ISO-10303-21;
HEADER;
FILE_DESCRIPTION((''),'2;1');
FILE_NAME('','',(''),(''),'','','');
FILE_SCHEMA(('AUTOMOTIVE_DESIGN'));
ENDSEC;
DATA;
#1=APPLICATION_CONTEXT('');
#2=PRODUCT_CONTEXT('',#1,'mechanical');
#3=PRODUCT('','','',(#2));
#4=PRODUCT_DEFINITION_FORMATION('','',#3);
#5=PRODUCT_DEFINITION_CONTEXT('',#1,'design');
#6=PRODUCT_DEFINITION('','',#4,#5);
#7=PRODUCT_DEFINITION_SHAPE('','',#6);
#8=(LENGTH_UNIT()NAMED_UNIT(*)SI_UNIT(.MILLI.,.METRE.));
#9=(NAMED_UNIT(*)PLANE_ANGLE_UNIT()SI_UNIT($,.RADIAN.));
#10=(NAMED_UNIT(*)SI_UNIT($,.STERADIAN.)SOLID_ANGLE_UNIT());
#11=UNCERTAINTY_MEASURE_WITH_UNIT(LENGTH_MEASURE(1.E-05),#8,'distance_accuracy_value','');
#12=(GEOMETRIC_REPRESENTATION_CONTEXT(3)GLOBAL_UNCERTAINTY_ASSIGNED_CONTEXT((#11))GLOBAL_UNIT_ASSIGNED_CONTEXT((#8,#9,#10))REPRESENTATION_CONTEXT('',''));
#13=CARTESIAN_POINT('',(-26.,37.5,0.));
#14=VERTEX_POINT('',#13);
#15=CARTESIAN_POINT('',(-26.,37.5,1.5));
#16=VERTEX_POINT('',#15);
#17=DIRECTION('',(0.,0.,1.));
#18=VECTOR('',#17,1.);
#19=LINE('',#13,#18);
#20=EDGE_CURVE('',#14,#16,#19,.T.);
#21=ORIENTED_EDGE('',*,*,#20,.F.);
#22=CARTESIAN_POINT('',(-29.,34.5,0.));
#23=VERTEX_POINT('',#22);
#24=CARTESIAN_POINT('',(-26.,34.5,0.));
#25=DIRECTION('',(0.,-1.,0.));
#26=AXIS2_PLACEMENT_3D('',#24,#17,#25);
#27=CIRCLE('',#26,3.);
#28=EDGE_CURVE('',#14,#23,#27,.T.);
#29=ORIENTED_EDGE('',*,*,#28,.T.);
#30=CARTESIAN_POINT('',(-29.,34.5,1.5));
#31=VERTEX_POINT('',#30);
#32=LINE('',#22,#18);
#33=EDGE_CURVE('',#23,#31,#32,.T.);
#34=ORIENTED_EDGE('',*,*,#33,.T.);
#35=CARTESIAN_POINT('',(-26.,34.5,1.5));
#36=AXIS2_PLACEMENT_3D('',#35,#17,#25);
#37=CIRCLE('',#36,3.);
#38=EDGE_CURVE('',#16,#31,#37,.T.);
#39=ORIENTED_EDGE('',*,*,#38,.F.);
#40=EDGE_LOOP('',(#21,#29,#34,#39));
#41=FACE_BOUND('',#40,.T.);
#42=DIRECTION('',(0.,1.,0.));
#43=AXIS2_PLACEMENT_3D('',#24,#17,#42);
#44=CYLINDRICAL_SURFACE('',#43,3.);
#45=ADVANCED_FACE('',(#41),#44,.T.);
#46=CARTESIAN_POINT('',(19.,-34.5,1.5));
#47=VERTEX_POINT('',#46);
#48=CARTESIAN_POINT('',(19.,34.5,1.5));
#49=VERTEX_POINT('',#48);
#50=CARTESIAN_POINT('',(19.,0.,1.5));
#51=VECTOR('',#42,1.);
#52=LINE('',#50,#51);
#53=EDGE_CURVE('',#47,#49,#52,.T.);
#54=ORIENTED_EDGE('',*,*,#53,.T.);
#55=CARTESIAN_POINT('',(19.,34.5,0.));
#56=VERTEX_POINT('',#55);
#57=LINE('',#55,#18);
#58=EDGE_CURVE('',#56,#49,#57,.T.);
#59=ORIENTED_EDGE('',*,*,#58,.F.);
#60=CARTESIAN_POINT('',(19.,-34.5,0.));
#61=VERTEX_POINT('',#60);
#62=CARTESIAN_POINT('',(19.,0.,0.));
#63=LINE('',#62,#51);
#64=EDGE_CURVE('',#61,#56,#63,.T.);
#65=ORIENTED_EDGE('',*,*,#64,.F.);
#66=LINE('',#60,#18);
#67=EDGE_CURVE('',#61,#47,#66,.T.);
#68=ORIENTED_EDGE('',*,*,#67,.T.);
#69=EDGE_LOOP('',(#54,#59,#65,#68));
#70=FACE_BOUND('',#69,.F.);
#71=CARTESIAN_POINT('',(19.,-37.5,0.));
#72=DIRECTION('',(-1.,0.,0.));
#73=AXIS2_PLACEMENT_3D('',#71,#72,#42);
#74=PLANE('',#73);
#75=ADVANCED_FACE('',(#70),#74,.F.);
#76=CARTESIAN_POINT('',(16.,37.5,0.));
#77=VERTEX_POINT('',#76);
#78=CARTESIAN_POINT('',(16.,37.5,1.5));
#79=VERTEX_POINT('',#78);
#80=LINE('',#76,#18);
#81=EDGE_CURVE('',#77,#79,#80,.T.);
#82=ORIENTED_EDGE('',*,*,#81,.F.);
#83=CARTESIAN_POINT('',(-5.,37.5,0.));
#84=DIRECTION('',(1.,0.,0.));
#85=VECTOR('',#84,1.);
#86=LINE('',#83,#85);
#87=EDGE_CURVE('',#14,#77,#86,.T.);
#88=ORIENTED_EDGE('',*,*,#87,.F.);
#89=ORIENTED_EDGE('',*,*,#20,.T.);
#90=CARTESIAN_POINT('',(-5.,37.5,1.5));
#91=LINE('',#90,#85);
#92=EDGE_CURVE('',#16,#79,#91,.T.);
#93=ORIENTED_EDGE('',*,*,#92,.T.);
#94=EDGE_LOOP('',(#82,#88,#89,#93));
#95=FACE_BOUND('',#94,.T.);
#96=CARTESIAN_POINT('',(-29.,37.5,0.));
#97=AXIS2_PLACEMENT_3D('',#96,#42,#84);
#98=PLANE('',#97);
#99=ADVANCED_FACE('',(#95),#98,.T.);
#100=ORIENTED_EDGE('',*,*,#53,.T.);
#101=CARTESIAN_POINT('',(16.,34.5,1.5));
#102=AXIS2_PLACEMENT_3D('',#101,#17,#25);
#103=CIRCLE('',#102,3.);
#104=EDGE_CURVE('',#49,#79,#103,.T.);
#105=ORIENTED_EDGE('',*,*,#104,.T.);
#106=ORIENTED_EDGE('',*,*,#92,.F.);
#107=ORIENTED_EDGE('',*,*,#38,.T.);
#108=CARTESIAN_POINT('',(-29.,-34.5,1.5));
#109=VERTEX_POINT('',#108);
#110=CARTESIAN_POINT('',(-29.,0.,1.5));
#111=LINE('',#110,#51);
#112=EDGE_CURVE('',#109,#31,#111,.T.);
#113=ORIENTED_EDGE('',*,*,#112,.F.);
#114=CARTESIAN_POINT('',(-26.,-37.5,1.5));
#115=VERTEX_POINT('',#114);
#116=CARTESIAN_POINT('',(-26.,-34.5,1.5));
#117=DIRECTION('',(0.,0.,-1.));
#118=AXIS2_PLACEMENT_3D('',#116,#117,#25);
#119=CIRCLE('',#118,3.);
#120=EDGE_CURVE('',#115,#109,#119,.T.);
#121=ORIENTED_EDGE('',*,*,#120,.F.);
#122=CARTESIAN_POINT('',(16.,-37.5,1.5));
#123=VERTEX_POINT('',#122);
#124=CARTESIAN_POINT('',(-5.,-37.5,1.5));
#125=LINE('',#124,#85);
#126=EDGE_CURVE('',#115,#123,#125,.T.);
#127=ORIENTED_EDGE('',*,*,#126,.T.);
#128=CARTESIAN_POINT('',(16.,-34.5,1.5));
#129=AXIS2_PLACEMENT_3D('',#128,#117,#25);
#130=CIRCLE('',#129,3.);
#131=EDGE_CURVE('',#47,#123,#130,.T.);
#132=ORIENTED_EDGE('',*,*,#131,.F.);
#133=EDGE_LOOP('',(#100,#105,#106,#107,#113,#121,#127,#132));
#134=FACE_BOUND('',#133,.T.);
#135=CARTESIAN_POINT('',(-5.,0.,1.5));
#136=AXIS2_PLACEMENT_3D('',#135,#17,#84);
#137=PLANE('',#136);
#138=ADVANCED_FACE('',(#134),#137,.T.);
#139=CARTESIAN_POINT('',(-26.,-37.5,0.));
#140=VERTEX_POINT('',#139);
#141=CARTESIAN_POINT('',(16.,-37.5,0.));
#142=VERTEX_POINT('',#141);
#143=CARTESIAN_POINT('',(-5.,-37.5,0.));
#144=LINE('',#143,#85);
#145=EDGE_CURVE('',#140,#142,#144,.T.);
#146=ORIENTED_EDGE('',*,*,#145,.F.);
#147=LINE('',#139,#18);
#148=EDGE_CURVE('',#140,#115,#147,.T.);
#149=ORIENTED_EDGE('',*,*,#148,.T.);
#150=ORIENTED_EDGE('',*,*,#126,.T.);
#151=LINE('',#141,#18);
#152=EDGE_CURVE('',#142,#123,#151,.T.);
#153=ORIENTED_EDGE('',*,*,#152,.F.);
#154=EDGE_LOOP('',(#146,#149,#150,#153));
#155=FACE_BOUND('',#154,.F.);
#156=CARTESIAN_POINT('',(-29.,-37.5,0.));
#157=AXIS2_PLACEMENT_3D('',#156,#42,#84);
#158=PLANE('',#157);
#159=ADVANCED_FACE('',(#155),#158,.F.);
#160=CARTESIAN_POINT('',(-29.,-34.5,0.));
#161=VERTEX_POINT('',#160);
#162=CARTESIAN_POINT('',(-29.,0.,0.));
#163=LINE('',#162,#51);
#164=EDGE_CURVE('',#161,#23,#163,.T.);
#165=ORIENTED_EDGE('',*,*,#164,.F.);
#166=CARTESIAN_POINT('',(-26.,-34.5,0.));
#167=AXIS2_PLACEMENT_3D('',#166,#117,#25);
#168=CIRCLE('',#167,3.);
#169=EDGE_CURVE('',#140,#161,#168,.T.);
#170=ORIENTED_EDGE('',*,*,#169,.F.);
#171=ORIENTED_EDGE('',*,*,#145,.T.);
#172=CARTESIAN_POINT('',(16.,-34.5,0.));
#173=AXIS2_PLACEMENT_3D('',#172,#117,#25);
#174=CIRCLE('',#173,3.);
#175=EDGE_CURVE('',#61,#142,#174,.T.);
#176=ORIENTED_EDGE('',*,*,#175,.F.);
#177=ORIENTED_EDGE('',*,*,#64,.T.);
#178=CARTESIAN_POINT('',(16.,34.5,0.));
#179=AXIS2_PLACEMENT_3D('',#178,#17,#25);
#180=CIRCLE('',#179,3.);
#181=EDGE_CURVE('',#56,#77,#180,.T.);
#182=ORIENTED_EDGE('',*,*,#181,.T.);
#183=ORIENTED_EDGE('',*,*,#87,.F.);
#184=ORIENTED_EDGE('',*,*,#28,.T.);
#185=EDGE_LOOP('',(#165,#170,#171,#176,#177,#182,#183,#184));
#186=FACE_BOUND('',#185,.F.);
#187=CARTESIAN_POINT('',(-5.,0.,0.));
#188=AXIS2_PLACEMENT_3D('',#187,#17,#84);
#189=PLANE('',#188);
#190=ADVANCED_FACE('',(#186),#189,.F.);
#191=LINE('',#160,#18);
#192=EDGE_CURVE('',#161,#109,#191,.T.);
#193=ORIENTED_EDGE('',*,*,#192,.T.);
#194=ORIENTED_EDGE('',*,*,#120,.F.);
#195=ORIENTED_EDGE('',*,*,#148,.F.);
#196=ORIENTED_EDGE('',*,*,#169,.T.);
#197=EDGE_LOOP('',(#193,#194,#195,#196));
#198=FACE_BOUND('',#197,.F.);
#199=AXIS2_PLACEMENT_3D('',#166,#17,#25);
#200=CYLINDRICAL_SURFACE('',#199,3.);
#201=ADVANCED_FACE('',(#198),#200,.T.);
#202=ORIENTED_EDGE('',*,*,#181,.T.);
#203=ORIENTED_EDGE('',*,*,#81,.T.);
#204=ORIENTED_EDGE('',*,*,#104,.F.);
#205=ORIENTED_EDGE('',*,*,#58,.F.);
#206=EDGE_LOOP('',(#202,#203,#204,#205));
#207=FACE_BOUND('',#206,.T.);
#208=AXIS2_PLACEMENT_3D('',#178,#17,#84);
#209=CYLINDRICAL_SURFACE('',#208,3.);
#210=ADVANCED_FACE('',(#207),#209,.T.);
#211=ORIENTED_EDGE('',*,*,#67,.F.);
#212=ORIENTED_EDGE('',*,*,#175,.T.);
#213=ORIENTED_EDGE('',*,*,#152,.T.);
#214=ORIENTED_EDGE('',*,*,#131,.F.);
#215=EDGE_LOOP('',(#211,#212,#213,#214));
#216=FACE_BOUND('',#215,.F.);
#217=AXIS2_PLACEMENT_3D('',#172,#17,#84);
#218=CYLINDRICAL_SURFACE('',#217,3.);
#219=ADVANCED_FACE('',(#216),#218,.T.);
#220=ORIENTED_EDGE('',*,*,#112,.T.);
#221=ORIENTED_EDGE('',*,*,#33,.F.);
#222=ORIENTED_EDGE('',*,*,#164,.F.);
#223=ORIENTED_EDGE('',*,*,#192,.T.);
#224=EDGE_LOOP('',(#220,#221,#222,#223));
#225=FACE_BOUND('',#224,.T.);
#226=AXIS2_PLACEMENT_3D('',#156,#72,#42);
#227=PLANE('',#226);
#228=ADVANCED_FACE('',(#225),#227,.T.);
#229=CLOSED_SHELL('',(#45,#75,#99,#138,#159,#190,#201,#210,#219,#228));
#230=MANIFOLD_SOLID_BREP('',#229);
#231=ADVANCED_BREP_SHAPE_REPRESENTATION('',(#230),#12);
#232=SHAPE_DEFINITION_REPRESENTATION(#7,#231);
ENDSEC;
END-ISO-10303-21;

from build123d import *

# Parameters (mm, degrees)
SKETCH_W    = 48
SKETCH_H    = 75
PAD_DEPTH   = 1.5
FILLET010_R = 3
FILLET011_R = 3
FILLET012_R = 3
FILLET013_R = 3


with BuildPart() as part:
    # Sketch → Pad (new body)
    with BuildSketch(Plane.XY):
        with Locations((-5, 0)):
            Rectangle(SKETCH_W, SKETCH_H)
    extrude(amount=PAD_DEPTH)

    # Fillet010
    fillet010_edges = [part.edges().sort_by_distance(p)[0] for p in [
        (19, 37.5, 0.75),
    ]]
    fillet(fillet010_edges, radius=FILLET010_R)

    # Fillet011
    fillet011_edges = [part.edges().sort_by_distance(p)[0] for p in [
        (-29, 37.5, 0.75),
    ]]
    fillet(fillet011_edges, radius=FILLET011_R)

    # Fillet012
    fillet012_edges = [part.edges().sort_by_distance(p)[0] for p in [
        (19, -37.5, 0.75),
    ]]
    fillet(fillet012_edges, radius=FILLET012_R)

    # Fillet013
    fillet013_edges = [part.edges().sort_by_distance(p)[0] for p in [
        (-29, -37.5, 0.75),
    ]]
    fillet(fillet013_edges, radius=FILLET013_R)


solid = part.part
